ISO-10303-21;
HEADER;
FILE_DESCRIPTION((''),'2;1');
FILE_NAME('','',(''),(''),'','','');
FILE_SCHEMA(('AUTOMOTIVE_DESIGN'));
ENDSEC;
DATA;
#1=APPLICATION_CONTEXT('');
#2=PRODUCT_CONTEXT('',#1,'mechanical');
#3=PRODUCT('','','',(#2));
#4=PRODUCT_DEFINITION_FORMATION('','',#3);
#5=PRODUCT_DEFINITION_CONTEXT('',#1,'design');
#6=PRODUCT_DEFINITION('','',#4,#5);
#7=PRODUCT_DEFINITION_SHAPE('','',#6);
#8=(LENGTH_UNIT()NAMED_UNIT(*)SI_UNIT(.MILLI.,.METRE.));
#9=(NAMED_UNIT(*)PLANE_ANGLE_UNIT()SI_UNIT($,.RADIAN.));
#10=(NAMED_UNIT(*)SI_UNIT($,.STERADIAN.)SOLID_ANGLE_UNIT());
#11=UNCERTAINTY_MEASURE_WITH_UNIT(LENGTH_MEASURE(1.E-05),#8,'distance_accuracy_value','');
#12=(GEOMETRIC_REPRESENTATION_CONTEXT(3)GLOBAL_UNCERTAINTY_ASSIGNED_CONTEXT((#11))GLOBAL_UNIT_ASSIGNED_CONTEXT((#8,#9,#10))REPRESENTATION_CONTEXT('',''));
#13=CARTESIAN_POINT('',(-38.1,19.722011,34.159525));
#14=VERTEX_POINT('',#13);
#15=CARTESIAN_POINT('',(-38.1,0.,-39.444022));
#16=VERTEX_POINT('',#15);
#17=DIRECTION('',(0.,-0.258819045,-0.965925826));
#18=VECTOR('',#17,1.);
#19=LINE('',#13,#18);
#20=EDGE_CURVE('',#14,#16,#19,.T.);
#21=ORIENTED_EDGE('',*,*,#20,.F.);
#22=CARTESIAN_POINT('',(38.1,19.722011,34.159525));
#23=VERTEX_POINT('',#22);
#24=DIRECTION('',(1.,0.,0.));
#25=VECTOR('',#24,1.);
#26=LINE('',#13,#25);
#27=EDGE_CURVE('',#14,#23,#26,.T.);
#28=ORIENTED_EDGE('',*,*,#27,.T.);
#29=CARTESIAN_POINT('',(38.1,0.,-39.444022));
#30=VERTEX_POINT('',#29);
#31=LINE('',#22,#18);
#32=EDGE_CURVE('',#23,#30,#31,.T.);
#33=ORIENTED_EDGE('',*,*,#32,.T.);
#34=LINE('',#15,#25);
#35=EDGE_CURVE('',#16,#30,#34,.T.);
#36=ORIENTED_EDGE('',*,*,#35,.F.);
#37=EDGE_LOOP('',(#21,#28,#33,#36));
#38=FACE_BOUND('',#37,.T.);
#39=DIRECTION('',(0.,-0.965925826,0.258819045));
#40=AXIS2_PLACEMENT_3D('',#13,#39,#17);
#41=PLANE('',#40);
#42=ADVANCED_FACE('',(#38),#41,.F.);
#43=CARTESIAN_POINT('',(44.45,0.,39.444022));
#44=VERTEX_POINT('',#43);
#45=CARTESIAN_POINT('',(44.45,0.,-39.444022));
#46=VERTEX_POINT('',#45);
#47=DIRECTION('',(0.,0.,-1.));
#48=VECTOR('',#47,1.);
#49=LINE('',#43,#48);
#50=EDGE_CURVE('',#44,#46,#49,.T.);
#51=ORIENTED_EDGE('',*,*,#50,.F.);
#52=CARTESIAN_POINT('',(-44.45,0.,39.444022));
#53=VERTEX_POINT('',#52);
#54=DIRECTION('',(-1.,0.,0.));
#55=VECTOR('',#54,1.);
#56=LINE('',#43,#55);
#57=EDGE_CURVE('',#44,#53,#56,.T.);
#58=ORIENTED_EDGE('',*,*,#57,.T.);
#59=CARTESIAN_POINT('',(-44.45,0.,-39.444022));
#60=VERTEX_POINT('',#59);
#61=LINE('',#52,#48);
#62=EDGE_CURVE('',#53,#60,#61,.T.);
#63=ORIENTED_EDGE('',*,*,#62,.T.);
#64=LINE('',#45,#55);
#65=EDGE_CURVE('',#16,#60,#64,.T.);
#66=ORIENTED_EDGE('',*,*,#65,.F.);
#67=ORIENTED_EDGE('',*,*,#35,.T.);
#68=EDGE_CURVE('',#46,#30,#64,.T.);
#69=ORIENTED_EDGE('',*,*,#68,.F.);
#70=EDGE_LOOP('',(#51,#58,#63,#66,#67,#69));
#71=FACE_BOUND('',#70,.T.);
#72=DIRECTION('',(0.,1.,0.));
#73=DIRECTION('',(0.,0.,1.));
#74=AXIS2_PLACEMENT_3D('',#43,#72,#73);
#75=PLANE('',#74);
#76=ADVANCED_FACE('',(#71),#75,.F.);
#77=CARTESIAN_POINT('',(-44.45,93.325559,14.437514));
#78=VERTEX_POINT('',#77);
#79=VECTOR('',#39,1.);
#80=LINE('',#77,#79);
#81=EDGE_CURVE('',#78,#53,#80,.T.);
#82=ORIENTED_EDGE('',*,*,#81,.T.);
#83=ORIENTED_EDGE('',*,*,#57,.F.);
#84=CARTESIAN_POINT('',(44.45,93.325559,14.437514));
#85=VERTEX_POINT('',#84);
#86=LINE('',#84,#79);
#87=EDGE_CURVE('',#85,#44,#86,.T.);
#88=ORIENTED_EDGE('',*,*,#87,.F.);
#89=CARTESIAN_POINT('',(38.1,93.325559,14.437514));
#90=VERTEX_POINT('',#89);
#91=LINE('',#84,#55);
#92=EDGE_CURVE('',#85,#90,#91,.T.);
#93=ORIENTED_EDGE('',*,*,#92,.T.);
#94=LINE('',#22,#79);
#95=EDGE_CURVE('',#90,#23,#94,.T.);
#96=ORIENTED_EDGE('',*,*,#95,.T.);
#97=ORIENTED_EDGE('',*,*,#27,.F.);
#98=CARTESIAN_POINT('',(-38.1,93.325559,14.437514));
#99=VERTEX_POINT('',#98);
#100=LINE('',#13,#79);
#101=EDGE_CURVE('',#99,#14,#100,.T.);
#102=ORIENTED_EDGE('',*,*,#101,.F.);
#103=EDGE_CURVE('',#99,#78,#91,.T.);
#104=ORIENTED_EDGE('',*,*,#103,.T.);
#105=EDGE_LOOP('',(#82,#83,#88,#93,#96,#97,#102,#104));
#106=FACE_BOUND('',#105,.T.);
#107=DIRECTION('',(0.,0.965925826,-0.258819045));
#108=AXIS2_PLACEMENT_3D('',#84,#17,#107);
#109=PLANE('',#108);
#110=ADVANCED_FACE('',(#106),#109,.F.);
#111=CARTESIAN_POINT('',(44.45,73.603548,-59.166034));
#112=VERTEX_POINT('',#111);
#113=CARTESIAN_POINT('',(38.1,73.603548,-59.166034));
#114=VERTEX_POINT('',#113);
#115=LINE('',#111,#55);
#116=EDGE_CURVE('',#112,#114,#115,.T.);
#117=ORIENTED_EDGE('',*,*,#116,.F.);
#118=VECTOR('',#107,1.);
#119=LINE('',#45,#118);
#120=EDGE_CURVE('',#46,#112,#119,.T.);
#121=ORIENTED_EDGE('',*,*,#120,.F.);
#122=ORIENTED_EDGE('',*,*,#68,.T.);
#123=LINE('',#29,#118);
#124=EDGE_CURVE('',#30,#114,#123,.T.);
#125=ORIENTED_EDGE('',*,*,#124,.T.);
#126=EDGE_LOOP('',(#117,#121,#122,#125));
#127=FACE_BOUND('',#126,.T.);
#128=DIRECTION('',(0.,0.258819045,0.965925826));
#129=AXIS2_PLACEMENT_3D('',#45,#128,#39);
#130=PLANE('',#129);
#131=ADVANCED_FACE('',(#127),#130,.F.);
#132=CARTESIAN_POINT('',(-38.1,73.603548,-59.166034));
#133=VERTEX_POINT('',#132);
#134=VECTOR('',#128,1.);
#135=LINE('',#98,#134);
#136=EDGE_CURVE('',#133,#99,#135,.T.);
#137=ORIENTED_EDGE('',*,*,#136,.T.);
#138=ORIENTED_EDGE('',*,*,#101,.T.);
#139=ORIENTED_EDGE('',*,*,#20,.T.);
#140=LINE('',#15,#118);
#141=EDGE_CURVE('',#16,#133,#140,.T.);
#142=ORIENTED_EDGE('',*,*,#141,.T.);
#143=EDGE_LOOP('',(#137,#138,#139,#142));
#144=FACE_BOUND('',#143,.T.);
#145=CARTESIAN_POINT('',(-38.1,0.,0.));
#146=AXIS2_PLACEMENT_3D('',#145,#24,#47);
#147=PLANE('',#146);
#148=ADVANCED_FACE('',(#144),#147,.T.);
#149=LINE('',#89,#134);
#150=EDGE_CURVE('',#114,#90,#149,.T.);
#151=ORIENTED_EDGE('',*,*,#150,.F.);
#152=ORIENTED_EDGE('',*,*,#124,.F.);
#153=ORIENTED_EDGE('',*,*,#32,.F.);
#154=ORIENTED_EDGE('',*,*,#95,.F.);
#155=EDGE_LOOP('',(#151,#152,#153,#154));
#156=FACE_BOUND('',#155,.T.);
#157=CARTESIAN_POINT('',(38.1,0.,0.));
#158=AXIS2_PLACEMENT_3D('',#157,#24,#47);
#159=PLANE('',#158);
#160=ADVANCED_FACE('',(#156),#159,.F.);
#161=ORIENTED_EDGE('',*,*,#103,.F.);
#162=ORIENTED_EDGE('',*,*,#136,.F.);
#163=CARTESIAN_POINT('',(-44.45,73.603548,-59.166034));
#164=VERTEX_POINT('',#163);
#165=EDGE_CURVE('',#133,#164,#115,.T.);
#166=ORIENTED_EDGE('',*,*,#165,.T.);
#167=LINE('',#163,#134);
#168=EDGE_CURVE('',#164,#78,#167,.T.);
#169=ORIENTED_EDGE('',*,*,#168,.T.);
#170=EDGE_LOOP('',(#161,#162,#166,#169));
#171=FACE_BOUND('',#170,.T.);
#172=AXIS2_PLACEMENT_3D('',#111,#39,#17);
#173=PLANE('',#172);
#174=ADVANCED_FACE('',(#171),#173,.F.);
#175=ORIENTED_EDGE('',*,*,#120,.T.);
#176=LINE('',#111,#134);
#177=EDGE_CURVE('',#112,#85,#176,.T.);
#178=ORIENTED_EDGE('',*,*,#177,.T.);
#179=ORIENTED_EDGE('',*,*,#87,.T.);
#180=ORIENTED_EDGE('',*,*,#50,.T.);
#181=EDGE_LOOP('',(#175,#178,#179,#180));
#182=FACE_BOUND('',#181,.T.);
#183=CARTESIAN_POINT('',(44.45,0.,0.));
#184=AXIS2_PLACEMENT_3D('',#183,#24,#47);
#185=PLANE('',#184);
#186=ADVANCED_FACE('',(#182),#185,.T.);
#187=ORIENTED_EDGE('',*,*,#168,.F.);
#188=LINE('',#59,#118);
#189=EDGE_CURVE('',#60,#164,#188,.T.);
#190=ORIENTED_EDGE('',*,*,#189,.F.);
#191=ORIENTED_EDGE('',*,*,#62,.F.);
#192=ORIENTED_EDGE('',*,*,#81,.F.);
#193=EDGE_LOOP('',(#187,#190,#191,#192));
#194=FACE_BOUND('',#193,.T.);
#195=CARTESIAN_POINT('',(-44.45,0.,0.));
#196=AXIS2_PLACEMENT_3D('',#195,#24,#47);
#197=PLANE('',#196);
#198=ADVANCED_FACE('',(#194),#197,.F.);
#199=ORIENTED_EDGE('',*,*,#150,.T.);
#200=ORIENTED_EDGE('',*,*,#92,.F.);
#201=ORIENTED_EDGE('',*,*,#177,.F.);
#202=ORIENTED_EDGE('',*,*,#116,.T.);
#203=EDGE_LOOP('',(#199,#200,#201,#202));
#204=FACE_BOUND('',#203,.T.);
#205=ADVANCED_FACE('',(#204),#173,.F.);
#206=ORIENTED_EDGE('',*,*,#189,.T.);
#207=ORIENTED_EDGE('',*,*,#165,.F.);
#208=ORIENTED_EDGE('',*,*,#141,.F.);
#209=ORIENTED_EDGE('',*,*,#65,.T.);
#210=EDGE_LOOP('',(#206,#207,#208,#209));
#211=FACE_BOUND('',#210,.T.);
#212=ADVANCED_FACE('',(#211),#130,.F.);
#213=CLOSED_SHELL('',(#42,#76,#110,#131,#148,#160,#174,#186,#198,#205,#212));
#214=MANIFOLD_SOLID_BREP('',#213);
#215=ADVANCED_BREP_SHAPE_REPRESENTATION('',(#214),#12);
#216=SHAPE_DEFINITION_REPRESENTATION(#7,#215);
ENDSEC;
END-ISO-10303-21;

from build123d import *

# Parameters (mm, degrees)
BOSS_EXTRUDE1_DEPTH = 44.45
CUT_EXTRUDE1_DEPTH  = 38.1


with BuildPart() as part:
    # Sketch1 → Boss-Extrude1 (new, symmetric)
    with BuildSketch(Plane(origin=(0, 0, 0), x_dir=(0, 0, -1), z_dir=(1, 0, 0))):
        Polygon((-39.444022474, 0), (39.444022474, 0), (59.16603371, 73.603547963), (-14.437514253, 93.3255592), align=None)
    extrude(amount=BOSS_EXTRUDE1_DEPTH, both=True)

    # Sketch2 → Cut-Extrude1 (cut, symmetric)
    with BuildSketch(Plane(origin=(0, 0, 0), x_dir=(0, 0, -1), z_dir=(1, 0, 0))):
        Polygon((-34.15952549, 19.722011237), (-14.437514253, 93.3255592), (59.16603371, 73.603547963), (39.444022474, 0), align=None)
    extrude(amount=CUT_EXTRUDE1_DEPTH, both=True, mode=Mode.SUBTRACT)


solid = part.part
